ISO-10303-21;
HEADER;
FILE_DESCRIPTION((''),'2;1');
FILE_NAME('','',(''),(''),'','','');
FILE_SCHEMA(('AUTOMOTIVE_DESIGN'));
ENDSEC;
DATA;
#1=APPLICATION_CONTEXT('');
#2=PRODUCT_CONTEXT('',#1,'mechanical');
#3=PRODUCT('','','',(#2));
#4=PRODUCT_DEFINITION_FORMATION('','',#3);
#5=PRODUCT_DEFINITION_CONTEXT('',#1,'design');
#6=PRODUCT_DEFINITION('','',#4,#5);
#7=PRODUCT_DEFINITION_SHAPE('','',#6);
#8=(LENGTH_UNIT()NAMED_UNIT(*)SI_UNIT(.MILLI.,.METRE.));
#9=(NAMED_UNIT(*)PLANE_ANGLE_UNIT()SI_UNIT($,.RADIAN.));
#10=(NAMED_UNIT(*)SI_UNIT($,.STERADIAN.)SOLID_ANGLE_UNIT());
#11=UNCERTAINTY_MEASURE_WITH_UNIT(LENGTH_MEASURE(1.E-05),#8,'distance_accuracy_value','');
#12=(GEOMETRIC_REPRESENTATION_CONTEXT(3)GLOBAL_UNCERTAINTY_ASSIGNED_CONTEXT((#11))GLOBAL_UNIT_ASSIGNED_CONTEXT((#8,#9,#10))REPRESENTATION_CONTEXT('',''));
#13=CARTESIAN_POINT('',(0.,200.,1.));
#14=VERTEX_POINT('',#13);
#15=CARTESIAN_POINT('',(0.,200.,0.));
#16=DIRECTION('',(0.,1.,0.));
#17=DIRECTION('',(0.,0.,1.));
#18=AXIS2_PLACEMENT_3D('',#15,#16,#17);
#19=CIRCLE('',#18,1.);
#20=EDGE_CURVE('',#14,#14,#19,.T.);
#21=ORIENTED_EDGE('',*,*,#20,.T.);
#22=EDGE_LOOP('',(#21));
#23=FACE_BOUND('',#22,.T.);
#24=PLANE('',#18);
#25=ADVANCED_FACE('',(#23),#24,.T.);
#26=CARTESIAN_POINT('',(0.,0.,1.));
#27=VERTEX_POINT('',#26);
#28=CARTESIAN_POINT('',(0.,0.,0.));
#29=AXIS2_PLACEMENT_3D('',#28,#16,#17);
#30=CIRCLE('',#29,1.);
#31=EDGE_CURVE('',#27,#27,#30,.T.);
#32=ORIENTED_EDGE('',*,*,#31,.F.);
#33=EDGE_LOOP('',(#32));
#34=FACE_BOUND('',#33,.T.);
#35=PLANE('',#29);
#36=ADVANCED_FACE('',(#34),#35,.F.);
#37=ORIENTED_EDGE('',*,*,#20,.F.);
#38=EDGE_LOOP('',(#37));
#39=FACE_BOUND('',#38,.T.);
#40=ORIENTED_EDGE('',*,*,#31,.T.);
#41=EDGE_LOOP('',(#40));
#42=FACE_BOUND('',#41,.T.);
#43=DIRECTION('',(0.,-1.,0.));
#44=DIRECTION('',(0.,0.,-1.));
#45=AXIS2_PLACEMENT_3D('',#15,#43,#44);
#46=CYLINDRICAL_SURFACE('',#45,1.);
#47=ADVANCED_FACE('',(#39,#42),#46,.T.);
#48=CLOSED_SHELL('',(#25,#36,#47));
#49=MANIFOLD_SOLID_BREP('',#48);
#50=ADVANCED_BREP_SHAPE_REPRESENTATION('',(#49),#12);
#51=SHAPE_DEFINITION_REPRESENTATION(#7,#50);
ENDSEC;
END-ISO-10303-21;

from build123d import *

# Parameters (mm, degrees)
SKETCH_1_R      = 1
EXTRUDE_1_DEPTH = 200


with BuildPart() as part:
    # 草图1 → 凸台-拉伸1 (new body)
    with BuildSketch(Plane(origin=(0, 0, 0), x_dir=(1, 0, 0), z_dir=(0, 1, 0))):
        Circle(SKETCH_1_R)
    extrude(amount=EXTRUDE_1_DEPTH)


solid = part.part
